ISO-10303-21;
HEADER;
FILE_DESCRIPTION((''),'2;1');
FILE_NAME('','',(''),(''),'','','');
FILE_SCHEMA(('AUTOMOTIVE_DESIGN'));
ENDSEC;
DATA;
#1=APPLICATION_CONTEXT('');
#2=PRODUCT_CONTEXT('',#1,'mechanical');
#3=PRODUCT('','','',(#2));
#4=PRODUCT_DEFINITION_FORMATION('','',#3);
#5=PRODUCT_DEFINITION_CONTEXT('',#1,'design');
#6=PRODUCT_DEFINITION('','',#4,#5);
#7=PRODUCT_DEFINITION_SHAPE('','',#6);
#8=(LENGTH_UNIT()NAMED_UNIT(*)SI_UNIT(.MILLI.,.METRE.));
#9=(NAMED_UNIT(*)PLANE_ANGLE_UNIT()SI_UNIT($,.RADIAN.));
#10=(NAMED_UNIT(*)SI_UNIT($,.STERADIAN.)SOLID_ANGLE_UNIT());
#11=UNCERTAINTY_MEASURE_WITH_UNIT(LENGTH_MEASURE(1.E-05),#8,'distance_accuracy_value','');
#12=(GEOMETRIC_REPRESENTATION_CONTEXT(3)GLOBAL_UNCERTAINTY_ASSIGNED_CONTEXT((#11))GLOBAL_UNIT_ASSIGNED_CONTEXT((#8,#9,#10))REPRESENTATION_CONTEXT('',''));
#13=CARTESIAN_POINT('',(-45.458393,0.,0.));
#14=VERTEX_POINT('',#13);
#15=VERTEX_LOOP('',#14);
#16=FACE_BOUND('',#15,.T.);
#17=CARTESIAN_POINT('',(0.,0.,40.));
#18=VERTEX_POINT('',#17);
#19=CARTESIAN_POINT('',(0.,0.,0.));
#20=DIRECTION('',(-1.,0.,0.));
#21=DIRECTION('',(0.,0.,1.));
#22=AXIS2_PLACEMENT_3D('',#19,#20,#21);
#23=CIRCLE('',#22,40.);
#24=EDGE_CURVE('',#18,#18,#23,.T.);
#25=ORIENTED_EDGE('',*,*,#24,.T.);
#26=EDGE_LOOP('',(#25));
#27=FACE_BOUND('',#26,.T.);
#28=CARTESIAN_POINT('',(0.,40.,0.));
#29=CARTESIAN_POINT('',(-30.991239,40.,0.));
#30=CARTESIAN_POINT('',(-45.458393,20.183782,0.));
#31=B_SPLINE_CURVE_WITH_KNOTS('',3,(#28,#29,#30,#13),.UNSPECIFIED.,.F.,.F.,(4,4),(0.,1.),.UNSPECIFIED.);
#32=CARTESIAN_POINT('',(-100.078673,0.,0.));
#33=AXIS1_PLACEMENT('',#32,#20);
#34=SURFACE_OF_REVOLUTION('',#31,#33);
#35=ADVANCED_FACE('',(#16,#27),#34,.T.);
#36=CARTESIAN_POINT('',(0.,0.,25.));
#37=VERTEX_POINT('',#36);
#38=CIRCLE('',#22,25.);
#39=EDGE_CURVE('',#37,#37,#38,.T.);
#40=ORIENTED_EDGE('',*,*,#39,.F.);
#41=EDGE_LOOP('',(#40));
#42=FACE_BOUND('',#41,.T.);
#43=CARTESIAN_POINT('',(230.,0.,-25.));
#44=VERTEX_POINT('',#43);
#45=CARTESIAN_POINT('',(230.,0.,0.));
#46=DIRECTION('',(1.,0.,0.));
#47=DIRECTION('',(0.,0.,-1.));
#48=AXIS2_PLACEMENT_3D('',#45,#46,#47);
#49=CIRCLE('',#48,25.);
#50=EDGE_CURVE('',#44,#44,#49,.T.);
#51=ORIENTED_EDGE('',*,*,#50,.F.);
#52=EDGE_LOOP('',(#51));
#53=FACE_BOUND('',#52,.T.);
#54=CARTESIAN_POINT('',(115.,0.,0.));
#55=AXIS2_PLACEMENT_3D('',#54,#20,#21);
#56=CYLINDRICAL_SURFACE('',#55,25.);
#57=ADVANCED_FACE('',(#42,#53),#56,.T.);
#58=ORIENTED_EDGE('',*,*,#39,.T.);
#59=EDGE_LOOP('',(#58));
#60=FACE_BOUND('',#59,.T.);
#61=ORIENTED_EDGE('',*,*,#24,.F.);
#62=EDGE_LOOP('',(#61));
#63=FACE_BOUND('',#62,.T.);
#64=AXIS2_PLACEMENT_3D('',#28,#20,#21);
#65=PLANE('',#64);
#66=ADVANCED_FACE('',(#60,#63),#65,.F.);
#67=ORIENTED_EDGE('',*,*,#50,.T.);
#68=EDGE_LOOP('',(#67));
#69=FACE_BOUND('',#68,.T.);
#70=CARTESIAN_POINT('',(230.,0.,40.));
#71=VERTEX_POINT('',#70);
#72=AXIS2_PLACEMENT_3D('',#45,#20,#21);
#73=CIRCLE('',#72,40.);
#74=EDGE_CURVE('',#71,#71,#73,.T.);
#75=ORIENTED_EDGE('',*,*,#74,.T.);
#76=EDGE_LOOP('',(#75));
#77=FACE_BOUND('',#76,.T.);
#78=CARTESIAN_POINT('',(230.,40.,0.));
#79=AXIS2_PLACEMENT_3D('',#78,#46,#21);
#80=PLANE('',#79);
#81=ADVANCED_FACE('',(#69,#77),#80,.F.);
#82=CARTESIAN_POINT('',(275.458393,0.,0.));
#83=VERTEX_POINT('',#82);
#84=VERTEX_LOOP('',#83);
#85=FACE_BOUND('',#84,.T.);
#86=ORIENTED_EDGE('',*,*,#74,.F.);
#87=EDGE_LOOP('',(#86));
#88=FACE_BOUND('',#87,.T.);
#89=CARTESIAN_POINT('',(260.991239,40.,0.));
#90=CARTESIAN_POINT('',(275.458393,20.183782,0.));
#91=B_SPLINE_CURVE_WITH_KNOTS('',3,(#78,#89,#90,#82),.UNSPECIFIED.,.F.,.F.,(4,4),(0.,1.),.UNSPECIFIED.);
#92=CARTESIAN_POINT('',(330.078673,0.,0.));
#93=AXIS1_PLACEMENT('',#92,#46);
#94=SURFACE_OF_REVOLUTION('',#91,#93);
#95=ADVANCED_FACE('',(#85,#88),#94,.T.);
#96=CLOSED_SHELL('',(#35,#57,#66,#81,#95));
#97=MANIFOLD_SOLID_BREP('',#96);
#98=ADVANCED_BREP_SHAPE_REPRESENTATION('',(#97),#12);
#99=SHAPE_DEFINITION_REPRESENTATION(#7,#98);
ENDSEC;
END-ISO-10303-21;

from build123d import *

# Parameters (mm, degrees)
SKETCH1_R           = 25
BOSS_EXTRUDE1_DEPTH = 115


with BuildPart() as part:
    # Sketch1 → Boss-Extrude1 (new body)
    with BuildSketch(Plane(origin=(0, 0, 0), x_dir=(0, 0, -1), z_dir=(1, 0, 0))):
        Circle(SKETCH1_R)
    boss_extrude1 = extrude(amount=BOSS_EXTRUDE1_DEPTH)

    # Sketch3 → Revolve1 (revolve)
    with BuildSketch(Plane.XY, mode=Mode.PRIVATE) as revolve1_sk:
        with BuildLine():
            Line((0, 0), (-45.458392513, 0))
            add(Edge.make_bspline(
                [(-45.458392513, 0), (-45.458392513, 20.183781855), (-30.991238831, 40), (0, 40)],
                knots=[0, 0, 0, 0, 1, 1, 1, 1], degree=3))
            Line((0, 40), (0, 0))
        make_face()
    revolve1 = revolve(revolve1_sk.sketch.rotate(Axis((-100.078673334, 0, 0), (1, 0, 0)), 90), axis=Axis((-100.078673334, 0, 0), (1, 0, 0)))

    # Mirror1: Boss-Extrude1, Revolve1 across plane
    add(boss_extrude1.mirror(Plane(origin=(115, 0, 0), x_dir=(0, 0, 1), z_dir=(1, 0, 0))))
    add(revolve1.mirror(Plane(origin=(115, 0, 0), x_dir=(0, 0, 1), z_dir=(1, 0, 0))))


solid = part.part
